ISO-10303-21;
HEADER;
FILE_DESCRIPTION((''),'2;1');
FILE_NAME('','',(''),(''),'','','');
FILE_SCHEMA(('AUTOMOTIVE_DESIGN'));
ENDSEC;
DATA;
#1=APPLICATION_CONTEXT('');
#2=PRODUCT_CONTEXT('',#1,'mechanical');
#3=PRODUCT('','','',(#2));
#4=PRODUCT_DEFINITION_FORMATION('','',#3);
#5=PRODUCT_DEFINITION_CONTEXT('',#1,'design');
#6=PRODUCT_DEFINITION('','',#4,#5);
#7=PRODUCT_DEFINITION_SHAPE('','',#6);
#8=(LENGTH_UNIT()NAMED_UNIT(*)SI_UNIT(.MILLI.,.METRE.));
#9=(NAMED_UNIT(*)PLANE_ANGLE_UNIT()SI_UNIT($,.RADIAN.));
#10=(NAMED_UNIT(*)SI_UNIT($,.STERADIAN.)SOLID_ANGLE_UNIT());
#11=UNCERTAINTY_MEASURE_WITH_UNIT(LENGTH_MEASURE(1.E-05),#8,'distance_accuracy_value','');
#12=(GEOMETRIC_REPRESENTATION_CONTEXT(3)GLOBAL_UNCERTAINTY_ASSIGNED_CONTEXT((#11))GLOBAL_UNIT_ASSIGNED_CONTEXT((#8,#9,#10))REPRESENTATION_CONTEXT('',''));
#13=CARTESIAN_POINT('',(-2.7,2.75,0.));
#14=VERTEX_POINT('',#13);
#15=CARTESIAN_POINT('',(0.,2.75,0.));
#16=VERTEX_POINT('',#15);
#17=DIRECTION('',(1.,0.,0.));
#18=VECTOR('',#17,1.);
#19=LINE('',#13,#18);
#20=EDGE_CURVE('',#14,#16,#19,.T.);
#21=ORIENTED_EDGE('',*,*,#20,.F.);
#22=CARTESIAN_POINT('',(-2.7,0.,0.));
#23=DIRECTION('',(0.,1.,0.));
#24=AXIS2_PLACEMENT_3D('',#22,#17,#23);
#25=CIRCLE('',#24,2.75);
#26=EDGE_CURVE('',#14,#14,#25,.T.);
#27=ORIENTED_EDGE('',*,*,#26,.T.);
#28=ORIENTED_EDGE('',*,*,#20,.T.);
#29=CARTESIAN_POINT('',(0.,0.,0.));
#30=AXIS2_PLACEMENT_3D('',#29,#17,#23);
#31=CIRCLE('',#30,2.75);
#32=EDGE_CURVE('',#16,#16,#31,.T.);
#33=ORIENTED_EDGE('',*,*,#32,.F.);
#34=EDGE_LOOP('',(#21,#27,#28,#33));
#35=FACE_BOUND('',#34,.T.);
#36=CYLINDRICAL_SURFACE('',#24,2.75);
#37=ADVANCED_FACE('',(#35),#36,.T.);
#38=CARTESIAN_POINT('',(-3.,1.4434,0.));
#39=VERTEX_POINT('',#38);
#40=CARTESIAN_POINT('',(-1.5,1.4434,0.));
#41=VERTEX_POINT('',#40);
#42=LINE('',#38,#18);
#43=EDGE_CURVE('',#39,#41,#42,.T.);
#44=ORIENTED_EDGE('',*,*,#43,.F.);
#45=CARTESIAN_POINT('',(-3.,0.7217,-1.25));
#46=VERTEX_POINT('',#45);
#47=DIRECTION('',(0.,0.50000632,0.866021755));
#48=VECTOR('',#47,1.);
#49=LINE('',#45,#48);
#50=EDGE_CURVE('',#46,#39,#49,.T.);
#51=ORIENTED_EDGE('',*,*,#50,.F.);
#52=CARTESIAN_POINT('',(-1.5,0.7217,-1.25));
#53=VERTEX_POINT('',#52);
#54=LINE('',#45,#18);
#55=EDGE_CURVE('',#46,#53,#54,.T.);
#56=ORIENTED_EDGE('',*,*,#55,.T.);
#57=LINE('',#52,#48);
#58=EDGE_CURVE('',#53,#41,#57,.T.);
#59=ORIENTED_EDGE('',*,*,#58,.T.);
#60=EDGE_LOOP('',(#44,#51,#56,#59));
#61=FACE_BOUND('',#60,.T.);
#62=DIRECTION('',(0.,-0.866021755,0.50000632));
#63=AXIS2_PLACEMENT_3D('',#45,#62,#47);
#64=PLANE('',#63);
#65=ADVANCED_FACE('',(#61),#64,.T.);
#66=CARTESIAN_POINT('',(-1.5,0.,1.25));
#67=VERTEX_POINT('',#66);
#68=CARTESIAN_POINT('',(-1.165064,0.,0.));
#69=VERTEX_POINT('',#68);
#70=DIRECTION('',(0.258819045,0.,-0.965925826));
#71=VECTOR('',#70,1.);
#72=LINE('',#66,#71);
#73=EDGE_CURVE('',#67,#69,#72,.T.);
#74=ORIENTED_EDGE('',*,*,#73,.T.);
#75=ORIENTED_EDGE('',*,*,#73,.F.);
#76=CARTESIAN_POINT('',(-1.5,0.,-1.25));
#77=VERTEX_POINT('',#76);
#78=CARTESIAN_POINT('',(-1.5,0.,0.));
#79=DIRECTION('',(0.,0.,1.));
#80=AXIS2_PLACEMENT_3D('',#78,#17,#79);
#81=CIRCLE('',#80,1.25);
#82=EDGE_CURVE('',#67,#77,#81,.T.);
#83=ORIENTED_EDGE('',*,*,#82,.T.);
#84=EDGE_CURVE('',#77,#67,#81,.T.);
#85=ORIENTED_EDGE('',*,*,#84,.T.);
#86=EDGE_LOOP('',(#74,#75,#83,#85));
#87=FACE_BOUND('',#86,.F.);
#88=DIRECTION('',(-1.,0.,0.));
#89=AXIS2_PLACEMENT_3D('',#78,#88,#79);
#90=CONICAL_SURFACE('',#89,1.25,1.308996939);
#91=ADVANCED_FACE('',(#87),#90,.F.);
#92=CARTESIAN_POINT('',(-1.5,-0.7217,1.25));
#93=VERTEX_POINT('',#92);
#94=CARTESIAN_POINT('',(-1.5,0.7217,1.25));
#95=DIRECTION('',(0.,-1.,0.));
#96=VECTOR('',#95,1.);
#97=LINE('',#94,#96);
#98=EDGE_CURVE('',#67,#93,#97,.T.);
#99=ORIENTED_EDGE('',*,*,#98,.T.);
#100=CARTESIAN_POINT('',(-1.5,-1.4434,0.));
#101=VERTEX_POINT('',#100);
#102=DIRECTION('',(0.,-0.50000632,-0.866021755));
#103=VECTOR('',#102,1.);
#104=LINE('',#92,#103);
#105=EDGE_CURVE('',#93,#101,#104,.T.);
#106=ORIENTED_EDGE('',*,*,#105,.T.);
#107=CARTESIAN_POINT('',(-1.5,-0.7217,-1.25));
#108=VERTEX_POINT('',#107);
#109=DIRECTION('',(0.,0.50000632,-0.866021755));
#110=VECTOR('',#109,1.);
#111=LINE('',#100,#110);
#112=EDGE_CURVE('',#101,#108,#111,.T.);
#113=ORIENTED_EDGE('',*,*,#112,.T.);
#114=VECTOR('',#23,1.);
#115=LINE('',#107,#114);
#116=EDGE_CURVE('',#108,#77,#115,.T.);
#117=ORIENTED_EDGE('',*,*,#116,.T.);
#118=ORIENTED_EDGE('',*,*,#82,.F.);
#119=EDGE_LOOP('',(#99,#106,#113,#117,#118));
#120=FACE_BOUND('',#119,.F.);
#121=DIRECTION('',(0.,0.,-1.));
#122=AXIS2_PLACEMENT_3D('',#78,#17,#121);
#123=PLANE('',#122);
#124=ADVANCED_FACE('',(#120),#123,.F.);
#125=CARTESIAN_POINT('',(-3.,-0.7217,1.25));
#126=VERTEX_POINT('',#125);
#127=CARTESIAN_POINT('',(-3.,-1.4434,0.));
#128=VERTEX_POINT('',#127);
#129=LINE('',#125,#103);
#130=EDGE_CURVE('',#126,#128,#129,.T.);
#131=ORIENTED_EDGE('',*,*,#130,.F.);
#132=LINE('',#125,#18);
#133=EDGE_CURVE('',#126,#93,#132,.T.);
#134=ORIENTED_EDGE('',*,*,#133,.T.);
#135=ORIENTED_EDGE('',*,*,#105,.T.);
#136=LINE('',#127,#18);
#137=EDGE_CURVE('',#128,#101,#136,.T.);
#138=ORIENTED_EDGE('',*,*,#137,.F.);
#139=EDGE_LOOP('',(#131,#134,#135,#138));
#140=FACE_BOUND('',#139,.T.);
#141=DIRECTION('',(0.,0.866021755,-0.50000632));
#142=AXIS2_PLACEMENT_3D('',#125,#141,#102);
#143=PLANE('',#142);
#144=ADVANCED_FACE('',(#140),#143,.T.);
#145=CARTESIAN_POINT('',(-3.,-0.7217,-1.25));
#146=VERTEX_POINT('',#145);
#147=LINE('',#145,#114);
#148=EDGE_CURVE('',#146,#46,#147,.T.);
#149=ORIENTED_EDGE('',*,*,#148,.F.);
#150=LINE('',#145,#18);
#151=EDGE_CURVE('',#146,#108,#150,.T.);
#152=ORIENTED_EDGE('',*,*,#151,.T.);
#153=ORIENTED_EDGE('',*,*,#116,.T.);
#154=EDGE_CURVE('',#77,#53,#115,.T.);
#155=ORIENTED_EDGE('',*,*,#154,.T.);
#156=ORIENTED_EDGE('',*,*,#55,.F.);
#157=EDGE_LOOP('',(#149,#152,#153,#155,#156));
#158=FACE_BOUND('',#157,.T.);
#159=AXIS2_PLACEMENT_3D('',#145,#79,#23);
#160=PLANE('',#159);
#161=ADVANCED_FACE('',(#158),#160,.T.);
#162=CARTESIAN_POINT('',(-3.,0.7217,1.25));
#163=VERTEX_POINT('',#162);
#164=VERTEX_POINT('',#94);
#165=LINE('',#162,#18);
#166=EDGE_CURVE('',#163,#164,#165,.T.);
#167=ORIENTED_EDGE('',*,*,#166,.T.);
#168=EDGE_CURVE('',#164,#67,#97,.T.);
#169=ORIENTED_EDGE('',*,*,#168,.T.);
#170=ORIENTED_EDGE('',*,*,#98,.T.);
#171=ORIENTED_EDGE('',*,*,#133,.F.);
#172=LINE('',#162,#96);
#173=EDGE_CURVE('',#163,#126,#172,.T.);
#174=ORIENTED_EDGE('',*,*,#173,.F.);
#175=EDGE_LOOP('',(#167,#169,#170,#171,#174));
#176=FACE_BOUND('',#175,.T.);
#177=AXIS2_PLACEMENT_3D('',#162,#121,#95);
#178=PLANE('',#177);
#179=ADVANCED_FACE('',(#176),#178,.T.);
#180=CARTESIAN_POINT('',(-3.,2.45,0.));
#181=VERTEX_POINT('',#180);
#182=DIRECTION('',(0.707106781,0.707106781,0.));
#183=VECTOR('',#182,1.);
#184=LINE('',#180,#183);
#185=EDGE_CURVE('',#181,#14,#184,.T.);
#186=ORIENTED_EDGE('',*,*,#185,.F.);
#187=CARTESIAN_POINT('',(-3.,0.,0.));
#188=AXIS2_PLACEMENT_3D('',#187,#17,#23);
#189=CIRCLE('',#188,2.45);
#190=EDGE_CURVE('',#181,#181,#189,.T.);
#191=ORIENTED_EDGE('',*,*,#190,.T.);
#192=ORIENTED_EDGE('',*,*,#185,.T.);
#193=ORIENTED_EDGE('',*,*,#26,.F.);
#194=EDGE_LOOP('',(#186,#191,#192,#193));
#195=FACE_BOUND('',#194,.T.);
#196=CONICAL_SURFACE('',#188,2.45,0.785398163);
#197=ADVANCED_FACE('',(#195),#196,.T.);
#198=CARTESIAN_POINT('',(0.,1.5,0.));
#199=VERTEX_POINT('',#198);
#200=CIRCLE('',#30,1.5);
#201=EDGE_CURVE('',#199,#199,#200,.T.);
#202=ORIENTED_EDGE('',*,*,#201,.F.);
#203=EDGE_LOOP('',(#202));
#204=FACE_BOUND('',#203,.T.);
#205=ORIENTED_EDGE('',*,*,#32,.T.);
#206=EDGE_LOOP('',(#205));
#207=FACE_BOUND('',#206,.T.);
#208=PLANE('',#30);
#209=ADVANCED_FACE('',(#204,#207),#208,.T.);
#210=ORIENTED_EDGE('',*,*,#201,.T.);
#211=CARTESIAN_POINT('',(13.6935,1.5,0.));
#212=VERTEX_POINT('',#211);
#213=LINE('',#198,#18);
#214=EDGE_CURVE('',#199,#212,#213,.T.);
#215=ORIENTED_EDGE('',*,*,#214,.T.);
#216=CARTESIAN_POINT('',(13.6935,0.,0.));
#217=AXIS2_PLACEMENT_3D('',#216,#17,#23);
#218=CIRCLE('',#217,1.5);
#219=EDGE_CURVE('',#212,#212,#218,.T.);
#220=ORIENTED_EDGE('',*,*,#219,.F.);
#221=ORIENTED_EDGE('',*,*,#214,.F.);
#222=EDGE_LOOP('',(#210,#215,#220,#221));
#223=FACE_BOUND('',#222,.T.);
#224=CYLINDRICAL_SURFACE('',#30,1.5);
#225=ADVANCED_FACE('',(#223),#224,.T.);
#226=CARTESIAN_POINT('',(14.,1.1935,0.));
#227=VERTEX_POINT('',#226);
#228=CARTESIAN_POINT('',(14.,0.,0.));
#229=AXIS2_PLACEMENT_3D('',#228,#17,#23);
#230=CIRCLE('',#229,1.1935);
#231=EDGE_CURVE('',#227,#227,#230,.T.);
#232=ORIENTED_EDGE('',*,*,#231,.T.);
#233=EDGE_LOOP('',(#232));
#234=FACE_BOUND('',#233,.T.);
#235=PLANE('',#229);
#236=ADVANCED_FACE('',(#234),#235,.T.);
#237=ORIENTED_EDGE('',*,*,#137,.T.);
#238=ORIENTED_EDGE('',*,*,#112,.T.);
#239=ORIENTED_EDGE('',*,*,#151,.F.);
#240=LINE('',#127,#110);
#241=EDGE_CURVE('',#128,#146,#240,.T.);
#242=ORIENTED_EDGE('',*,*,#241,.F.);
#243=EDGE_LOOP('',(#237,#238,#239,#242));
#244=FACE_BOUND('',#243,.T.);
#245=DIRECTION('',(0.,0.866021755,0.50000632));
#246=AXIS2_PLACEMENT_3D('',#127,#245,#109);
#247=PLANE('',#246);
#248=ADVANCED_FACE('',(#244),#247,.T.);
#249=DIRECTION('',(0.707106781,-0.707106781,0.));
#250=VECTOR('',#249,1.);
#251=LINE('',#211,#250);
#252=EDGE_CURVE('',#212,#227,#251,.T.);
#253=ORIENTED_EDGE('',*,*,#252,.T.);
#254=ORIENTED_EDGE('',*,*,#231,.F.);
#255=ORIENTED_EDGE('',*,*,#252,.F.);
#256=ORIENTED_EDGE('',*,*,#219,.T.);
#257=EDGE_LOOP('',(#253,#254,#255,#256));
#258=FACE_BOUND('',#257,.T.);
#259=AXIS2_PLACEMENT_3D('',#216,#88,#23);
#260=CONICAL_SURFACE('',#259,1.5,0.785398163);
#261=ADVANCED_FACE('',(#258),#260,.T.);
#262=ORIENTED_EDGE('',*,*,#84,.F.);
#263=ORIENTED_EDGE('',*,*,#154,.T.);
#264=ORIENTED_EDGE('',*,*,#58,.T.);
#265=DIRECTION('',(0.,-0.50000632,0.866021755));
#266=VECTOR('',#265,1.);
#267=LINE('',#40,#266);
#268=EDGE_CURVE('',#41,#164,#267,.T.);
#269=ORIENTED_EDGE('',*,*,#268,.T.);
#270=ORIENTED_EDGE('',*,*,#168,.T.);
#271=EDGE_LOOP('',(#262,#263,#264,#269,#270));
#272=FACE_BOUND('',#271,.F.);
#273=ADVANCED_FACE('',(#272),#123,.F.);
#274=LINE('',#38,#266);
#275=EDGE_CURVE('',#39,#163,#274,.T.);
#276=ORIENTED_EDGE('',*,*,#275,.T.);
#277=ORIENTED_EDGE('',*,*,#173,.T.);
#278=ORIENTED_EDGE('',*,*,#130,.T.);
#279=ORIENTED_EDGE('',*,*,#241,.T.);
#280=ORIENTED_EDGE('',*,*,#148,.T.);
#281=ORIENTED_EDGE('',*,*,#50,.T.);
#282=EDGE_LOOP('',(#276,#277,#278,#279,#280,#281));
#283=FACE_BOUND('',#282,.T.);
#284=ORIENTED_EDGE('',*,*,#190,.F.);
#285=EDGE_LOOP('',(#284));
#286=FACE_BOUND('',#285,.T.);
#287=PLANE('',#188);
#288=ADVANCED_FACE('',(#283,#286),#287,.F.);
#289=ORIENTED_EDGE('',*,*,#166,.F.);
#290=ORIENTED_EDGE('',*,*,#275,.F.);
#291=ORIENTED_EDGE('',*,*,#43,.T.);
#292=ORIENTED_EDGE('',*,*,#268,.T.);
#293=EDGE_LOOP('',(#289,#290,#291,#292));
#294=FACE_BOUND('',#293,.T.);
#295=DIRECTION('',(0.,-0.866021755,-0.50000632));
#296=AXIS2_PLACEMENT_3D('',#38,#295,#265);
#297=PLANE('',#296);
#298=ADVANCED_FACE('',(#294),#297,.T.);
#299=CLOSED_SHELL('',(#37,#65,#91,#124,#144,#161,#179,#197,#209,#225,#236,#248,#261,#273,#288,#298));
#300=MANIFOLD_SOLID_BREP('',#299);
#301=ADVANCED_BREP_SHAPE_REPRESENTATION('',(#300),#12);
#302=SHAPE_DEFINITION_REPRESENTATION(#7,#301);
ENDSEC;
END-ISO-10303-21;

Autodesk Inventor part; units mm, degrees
sketch "Sketch_1" plane through (0, 0, 0) normal (0, 0, 1) x (1, 0, 0)
  line L0 (14, 0) -> (-3, 0)
  line L1 (-3, 0) -> (-3, 2.45)
  line L2 (-3, 2.45) -> (-2.7, 2.75)
  line L3 (-2.7, 2.75) -> (0, 2.75)
  line L4 (0, 2.75) -> (0, 1.5)
  line L5 (0, 1.5) -> (13.6935, 1.5)
  line L6 (13.6935, 1.5) -> (14, 1.1935)
  line L7 (14, 1.1935) -> (14, 0)
  line L8 (14, 0) -> (-3, 0)
revolve "Revolution1" add sketch "Sketch_1" angle 360 about axis through (14, 0, 0) along (1, 0, 0)
thread "Thread1" size "M3x0.5" class "6g" standard "ISO Metric profile" length 13.5 offset 0.5
sketch "Sketch2" plane through (-3, 0, 0) normal (-1, 0, 0) x (0, 0, 1)
  point P0 (0, 0)
hole "Hole1" at (-3, 0, 0) direction (1, 0, 0) diameter 2.5 depth 1.5 tip angle 150
sketch "Sketch_3" plane through (-3, 0, 0) normal (1, 0, 0) x (0, 0, -1)
  line L0 (-1.25, -0.7217) -> (0, -1.4434)
  line L1 (0, -1.4434) -> (1.25, -0.7217)
  line L2 (1.25, -0.7217) -> (1.25, 0.7217)
  line L3 (1.25, 0.7217) -> (0, 1.4434)
  line L4 (0, 1.4434) -> (-1.25, 0.7217)
  line L5 (-1.25, 0.7217) -> (-1.25, -0.7217)
extrude "Extrusion1" cut sketch "Sketch_3" along normal blind 1.5
ref_plane "to_cp_XY" through (0, 0, 0) normal (1, 0, 0) x (0, 0, -1)
ref_plane "to_cp_YZ" through (0, 0, 0) normal (0, 0, -1) x (0, 1, 0)
ref_plane "to_cp_ZX" through (0, 0, 0) normal (0, 1, 0) x (1, 0, 0)
properties part number "BOLT3-14"
